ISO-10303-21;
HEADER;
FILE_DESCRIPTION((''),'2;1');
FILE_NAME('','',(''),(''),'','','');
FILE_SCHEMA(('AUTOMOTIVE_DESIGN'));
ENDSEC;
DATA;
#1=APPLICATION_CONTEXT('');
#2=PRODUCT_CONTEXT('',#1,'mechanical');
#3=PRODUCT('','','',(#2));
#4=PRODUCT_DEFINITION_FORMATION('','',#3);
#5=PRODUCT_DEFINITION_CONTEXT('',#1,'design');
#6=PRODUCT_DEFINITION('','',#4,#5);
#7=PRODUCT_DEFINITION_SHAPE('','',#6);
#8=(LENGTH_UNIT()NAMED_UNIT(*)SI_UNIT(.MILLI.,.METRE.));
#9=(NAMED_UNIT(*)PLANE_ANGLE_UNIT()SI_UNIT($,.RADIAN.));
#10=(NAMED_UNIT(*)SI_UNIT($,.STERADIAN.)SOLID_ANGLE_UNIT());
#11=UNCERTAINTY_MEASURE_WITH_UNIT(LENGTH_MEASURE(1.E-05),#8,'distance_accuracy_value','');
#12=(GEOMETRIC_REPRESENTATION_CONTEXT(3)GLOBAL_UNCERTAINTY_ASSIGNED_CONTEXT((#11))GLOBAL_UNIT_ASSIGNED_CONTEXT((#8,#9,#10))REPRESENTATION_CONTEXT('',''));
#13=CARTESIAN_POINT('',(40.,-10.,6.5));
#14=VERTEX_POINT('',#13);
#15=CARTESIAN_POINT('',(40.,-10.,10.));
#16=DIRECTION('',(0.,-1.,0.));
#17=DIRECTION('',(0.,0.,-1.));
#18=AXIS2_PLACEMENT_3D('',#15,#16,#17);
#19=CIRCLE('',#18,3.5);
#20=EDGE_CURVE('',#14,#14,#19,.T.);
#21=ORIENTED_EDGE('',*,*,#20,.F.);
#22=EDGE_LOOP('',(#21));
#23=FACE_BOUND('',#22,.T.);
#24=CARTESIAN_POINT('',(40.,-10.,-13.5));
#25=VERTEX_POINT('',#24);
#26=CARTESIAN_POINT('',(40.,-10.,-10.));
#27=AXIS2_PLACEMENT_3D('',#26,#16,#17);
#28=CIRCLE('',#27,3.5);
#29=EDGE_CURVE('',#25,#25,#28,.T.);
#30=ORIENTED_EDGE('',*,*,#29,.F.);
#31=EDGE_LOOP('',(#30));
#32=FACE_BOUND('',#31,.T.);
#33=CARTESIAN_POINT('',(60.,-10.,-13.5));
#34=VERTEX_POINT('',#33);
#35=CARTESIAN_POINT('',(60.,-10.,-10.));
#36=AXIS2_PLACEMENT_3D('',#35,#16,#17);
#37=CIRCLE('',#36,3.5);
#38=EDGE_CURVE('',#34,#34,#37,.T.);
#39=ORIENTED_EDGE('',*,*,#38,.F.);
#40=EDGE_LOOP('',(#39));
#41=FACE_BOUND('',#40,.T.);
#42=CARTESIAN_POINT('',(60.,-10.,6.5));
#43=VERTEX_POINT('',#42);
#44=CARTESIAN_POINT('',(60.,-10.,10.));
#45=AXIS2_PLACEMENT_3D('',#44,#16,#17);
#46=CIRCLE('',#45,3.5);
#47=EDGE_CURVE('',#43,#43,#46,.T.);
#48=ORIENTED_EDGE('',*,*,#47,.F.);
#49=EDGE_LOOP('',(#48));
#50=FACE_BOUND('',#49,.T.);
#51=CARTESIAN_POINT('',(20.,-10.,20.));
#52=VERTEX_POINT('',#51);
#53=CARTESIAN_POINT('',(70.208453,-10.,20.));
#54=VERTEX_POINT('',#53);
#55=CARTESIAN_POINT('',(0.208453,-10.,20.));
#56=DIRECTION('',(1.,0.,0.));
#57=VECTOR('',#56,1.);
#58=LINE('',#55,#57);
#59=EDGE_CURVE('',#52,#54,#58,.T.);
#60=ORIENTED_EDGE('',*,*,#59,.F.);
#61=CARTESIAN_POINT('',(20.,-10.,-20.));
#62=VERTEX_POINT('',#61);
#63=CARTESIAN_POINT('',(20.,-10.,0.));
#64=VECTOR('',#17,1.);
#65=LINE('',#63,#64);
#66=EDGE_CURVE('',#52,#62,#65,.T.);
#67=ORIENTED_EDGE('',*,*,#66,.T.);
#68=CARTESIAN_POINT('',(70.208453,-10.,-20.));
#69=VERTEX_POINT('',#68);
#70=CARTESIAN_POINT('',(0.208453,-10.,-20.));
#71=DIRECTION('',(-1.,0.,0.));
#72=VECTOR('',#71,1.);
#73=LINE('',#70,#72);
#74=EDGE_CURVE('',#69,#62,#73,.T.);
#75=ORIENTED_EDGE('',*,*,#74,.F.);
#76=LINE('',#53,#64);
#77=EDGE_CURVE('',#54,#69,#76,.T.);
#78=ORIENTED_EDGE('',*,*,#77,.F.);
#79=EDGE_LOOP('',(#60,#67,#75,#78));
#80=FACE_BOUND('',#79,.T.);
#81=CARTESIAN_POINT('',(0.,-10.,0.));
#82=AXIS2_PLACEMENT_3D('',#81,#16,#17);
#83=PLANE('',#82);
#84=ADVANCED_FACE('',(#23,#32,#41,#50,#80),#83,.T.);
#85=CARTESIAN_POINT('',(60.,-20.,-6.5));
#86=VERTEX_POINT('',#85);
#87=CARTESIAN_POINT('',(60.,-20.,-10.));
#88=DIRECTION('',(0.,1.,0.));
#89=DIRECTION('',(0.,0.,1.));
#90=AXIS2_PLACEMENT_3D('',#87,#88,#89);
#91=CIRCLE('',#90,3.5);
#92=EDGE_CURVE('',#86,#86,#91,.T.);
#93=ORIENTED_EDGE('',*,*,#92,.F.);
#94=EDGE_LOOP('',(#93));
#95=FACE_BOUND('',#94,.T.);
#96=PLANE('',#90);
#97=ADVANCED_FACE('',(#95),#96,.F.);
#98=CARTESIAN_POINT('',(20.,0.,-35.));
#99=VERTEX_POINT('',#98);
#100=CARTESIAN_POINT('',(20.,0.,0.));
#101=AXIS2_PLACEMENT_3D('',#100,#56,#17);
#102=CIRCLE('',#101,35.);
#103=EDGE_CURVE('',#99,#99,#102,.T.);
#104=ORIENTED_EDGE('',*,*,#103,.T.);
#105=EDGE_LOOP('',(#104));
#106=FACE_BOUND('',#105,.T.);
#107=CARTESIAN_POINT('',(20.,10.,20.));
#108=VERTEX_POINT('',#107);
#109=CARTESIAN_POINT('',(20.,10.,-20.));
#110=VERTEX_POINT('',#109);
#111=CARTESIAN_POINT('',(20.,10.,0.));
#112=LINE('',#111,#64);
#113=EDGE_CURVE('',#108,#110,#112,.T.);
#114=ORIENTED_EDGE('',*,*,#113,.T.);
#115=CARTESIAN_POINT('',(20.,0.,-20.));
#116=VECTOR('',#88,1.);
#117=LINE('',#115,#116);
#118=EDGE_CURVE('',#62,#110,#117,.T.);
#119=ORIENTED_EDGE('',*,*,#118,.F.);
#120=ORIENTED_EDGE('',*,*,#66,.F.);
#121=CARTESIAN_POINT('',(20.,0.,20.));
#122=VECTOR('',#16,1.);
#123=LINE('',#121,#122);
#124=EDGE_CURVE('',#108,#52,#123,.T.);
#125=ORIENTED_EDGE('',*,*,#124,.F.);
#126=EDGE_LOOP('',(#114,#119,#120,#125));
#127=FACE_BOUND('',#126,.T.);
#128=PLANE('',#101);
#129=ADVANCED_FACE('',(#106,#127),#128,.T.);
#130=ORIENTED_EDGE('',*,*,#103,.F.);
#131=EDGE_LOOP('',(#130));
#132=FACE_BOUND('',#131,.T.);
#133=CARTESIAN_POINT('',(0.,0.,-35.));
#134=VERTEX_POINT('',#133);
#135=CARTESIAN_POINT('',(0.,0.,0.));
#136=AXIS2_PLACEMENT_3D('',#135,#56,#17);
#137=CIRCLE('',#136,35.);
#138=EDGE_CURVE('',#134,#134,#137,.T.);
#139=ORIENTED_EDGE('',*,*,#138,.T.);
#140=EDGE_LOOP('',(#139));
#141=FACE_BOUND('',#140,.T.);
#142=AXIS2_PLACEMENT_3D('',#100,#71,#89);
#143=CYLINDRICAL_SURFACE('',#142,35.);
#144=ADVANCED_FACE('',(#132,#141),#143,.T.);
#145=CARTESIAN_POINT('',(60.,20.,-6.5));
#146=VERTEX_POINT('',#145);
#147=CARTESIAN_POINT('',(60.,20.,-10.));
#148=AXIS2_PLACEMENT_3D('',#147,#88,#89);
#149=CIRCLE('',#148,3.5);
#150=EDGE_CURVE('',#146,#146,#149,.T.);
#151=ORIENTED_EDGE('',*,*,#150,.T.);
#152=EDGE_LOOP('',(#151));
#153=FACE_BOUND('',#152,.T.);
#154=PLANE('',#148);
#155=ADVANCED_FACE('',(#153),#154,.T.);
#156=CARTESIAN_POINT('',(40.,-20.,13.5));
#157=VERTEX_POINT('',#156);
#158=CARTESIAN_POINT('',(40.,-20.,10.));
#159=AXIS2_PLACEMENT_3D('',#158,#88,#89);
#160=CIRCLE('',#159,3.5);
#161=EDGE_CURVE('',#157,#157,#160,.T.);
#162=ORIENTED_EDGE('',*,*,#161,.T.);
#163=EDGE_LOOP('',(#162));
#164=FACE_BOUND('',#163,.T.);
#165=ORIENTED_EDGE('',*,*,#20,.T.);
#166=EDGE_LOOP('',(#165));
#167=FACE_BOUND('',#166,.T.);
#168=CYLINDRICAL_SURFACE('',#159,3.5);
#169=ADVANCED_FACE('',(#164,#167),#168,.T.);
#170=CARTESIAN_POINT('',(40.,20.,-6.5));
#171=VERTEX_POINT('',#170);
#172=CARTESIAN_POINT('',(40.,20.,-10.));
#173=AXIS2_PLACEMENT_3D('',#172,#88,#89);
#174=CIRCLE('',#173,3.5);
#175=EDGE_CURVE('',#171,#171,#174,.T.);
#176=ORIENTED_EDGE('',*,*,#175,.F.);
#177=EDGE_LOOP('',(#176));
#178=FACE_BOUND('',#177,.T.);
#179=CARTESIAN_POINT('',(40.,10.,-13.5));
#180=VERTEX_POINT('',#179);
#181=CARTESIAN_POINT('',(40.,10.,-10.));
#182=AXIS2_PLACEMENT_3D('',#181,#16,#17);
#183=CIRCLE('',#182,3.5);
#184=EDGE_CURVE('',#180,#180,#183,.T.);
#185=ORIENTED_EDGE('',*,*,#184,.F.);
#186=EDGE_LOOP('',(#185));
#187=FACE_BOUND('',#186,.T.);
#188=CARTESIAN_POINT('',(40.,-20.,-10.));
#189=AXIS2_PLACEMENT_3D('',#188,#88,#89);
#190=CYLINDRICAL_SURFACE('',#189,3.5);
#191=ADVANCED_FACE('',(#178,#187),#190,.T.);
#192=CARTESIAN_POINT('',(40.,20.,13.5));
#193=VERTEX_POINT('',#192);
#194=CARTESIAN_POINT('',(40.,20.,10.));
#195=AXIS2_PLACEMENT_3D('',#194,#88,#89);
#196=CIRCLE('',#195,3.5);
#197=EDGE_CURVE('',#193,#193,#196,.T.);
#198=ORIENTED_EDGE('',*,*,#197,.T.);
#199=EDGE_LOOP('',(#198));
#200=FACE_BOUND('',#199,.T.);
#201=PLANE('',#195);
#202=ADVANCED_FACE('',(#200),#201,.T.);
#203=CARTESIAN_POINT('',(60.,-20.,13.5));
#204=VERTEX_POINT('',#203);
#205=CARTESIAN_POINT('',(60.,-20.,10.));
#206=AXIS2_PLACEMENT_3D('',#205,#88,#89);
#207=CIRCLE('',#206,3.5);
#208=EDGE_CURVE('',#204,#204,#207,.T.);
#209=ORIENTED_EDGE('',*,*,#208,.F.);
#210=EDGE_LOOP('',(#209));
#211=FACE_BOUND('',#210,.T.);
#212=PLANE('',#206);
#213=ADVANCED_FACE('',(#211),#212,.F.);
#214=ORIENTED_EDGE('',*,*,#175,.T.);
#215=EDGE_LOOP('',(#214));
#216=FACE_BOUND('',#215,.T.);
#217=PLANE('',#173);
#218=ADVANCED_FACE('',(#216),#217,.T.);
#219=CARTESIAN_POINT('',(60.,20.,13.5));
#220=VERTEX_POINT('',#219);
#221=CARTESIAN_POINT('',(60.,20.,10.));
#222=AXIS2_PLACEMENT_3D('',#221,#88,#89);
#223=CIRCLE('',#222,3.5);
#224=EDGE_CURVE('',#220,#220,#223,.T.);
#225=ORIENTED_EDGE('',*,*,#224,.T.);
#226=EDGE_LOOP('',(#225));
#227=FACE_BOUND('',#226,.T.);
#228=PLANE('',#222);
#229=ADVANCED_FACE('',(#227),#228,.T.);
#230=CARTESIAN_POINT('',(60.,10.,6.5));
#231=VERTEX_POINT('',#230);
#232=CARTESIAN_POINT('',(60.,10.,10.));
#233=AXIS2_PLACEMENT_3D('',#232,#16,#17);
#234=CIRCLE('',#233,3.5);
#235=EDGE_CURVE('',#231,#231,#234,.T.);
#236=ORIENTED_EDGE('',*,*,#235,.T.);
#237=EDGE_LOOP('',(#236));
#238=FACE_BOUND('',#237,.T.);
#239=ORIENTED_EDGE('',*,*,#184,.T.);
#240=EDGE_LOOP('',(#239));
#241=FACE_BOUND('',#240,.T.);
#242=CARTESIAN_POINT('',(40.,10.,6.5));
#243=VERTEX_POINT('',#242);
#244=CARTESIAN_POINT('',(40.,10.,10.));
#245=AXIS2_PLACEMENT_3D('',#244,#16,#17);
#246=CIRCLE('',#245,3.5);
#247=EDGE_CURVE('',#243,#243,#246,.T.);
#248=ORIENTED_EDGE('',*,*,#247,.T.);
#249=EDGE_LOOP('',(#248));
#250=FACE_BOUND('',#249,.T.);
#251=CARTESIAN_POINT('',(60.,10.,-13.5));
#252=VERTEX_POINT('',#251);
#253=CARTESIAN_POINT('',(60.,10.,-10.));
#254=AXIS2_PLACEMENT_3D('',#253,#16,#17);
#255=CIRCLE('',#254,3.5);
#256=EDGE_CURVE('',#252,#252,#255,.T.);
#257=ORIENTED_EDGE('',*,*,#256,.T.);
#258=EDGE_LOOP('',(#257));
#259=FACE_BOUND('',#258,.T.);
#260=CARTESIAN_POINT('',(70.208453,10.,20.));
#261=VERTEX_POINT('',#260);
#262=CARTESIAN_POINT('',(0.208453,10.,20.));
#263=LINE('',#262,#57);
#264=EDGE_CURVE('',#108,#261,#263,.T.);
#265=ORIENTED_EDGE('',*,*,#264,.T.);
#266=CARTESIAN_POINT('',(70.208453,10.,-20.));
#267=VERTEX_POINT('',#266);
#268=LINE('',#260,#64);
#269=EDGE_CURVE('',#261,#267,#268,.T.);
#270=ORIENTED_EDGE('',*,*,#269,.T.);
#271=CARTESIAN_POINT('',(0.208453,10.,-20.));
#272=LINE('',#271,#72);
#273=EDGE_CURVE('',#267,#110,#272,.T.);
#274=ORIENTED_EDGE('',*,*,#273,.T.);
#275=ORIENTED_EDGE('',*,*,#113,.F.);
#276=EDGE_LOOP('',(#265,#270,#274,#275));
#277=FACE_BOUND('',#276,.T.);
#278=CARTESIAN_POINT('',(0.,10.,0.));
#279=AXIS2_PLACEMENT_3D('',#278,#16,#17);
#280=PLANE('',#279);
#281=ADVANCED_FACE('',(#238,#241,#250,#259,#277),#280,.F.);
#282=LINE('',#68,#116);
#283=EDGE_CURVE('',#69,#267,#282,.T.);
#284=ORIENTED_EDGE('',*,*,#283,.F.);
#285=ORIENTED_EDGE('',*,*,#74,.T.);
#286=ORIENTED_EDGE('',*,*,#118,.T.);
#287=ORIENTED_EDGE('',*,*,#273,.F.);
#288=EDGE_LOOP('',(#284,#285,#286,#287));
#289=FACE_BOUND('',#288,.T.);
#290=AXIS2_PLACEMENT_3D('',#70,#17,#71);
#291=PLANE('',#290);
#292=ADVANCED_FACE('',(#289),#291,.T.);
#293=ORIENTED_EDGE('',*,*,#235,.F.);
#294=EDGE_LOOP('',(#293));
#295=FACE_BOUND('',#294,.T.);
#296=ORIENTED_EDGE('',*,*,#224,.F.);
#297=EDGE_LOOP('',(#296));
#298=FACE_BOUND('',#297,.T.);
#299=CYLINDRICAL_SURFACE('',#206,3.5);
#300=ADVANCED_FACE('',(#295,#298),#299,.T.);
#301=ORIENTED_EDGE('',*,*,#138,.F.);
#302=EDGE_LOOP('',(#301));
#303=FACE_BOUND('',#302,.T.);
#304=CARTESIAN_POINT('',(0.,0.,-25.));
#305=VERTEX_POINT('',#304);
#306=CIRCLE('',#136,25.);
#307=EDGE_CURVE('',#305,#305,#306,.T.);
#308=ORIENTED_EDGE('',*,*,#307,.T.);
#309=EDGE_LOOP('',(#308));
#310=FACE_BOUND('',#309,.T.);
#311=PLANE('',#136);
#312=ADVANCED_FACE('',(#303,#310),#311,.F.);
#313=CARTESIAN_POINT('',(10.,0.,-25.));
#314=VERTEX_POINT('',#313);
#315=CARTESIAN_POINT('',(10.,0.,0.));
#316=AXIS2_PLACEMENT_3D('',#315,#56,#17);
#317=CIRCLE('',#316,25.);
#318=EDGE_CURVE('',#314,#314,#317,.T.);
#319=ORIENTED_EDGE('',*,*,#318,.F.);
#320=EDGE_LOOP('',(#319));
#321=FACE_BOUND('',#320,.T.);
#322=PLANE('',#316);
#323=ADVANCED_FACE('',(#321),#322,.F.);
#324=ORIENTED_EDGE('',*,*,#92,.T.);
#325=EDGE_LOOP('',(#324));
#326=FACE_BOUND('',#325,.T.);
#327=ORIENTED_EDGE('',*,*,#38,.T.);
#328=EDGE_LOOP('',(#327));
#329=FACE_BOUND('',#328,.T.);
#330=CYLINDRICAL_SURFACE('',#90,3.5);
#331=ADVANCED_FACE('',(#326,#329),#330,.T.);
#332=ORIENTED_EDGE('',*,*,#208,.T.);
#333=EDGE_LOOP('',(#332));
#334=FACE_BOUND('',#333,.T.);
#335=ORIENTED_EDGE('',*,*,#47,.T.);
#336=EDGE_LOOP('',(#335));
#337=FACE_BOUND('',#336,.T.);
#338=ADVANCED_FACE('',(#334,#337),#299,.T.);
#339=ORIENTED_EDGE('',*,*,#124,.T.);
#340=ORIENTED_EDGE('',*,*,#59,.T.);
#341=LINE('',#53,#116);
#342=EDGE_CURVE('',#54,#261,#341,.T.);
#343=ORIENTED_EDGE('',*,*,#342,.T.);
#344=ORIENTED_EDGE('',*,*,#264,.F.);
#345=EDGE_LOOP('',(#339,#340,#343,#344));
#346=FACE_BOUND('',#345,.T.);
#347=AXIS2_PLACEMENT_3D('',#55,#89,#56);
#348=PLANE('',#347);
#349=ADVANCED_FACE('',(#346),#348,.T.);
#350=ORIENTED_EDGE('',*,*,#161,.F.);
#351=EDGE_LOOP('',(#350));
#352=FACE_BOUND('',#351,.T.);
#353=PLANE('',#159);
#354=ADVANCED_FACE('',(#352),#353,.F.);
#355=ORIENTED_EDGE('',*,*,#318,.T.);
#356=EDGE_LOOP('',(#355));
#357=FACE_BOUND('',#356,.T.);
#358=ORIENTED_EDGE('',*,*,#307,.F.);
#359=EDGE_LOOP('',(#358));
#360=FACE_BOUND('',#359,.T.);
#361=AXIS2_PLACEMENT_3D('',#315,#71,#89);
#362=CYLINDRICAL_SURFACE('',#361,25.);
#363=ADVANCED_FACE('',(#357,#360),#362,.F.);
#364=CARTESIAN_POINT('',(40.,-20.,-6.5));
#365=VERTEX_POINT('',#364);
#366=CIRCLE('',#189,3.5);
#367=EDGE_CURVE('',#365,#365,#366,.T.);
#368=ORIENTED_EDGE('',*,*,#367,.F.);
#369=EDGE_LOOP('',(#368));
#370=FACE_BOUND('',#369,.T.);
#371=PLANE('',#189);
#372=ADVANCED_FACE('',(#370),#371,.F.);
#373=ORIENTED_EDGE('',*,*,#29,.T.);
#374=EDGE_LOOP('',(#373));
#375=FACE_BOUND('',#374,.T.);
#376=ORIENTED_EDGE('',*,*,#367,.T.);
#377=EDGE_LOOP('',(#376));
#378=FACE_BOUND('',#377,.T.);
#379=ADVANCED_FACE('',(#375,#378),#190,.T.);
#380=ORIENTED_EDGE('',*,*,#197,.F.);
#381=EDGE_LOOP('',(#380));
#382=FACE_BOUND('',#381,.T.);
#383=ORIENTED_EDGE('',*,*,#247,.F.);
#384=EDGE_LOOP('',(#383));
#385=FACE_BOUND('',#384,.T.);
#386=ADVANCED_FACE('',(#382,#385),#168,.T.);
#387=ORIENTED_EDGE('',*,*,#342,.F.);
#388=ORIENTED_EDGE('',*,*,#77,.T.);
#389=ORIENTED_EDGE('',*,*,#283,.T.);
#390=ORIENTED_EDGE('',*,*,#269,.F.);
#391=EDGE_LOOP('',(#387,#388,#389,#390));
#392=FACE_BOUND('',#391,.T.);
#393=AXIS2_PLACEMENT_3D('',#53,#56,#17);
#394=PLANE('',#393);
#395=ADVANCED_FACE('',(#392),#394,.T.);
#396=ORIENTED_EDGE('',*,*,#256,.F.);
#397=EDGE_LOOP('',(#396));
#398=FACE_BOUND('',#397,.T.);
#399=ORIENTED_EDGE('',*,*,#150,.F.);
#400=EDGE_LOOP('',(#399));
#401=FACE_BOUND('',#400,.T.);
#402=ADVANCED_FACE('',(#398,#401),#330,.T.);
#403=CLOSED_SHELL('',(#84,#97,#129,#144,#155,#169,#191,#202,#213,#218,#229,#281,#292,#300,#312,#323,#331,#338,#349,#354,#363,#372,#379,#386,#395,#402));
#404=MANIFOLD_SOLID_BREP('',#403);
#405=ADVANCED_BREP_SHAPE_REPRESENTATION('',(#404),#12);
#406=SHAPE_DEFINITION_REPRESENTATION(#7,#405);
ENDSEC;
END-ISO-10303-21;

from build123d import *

# Parameters (mm, degrees)
SKETCH1_R                = 35
BOSS_EXTRUDE1_DEPTH      = 20
SKETCH2_R                = 25
CUT_EXTRUDE1_DEPTH       = 10
BOSS_EXTRUDE2_DEPTH      = 10
BOSS_EXTRUDE2_DEPTH_BACK = 10
SKETCH3_W                = 70
SKETCH3_H                = 40
BOSS_EXTRUDE3_DEPTH      = 20
BOSS_EXTRUDE3_DEPTH_BACK = 20
SKETCH5_R                = 3.5
CUT_EXTRUDE2_START       = 27
SKETCH6_R                = 25
CUT_EXTRUDE2_DEPTH       = 27


with BuildPart() as part:
    # Sketch1 → Boss-Extrude1 (new body)
    with BuildSketch(Plane(origin=(0, 0, 0), x_dir=(0, 0, -1), z_dir=(1, 0, 0))):
        Circle(SKETCH1_R)
    extrude(amount=BOSS_EXTRUDE1_DEPTH)

    # Sketch2 → Cut-Extrude1 (cut)
    with BuildSketch(Plane(origin=(0, 0, 0), x_dir=(0, 0, -1), z_dir=(1, 0, 0))):
        Circle(SKETCH2_R)
    extrude(amount=CUT_EXTRUDE1_DEPTH, mode=Mode.SUBTRACT)

    # Sketch3 → Boss-Extrude2 (add, two sides: drawn at the far end of the back side and taken through both)
    with BuildSketch(Plane(origin=(0, 0, 0), x_dir=(1, 0, 0), z_dir=(0, 1, 0)).offset(-BOSS_EXTRUDE2_DEPTH_BACK)):
        with Locations((35.208452682, 0)):
            Rectangle(SKETCH3_W, SKETCH3_H)
    extrude(amount=BOSS_EXTRUDE2_DEPTH + BOSS_EXTRUDE2_DEPTH_BACK)

    # Sketch5 → Boss-Extrude3 (add, two sides: drawn at the far end of the back side and taken through both)
    with BuildSketch(Plane(origin=(0, 0, 0), x_dir=(1, 0, 0), z_dir=(0, 1, 0)).offset(-BOSS_EXTRUDE3_DEPTH_BACK)):
        with Locations((40, -10)):
            Circle(SKETCH5_R)
        with Locations((40, 10)):
            Circle(SKETCH5_R)
        with Locations((60, 10)):
            Circle(SKETCH5_R)
        with Locations((60, -10)):
            Circle(SKETCH5_R)
    extrude(amount=BOSS_EXTRUDE3_DEPTH + BOSS_EXTRUDE3_DEPTH_BACK)

    # Sketch6 → Cut-Extrude2 (cut)
    with BuildSketch(Plane.ZY.offset(-10).offset(CUT_EXTRUDE2_START)):
        Circle(SKETCH6_R)
    extrude(amount=-CUT_EXTRUDE2_DEPTH, mode=Mode.SUBTRACT)


solid = part.part
